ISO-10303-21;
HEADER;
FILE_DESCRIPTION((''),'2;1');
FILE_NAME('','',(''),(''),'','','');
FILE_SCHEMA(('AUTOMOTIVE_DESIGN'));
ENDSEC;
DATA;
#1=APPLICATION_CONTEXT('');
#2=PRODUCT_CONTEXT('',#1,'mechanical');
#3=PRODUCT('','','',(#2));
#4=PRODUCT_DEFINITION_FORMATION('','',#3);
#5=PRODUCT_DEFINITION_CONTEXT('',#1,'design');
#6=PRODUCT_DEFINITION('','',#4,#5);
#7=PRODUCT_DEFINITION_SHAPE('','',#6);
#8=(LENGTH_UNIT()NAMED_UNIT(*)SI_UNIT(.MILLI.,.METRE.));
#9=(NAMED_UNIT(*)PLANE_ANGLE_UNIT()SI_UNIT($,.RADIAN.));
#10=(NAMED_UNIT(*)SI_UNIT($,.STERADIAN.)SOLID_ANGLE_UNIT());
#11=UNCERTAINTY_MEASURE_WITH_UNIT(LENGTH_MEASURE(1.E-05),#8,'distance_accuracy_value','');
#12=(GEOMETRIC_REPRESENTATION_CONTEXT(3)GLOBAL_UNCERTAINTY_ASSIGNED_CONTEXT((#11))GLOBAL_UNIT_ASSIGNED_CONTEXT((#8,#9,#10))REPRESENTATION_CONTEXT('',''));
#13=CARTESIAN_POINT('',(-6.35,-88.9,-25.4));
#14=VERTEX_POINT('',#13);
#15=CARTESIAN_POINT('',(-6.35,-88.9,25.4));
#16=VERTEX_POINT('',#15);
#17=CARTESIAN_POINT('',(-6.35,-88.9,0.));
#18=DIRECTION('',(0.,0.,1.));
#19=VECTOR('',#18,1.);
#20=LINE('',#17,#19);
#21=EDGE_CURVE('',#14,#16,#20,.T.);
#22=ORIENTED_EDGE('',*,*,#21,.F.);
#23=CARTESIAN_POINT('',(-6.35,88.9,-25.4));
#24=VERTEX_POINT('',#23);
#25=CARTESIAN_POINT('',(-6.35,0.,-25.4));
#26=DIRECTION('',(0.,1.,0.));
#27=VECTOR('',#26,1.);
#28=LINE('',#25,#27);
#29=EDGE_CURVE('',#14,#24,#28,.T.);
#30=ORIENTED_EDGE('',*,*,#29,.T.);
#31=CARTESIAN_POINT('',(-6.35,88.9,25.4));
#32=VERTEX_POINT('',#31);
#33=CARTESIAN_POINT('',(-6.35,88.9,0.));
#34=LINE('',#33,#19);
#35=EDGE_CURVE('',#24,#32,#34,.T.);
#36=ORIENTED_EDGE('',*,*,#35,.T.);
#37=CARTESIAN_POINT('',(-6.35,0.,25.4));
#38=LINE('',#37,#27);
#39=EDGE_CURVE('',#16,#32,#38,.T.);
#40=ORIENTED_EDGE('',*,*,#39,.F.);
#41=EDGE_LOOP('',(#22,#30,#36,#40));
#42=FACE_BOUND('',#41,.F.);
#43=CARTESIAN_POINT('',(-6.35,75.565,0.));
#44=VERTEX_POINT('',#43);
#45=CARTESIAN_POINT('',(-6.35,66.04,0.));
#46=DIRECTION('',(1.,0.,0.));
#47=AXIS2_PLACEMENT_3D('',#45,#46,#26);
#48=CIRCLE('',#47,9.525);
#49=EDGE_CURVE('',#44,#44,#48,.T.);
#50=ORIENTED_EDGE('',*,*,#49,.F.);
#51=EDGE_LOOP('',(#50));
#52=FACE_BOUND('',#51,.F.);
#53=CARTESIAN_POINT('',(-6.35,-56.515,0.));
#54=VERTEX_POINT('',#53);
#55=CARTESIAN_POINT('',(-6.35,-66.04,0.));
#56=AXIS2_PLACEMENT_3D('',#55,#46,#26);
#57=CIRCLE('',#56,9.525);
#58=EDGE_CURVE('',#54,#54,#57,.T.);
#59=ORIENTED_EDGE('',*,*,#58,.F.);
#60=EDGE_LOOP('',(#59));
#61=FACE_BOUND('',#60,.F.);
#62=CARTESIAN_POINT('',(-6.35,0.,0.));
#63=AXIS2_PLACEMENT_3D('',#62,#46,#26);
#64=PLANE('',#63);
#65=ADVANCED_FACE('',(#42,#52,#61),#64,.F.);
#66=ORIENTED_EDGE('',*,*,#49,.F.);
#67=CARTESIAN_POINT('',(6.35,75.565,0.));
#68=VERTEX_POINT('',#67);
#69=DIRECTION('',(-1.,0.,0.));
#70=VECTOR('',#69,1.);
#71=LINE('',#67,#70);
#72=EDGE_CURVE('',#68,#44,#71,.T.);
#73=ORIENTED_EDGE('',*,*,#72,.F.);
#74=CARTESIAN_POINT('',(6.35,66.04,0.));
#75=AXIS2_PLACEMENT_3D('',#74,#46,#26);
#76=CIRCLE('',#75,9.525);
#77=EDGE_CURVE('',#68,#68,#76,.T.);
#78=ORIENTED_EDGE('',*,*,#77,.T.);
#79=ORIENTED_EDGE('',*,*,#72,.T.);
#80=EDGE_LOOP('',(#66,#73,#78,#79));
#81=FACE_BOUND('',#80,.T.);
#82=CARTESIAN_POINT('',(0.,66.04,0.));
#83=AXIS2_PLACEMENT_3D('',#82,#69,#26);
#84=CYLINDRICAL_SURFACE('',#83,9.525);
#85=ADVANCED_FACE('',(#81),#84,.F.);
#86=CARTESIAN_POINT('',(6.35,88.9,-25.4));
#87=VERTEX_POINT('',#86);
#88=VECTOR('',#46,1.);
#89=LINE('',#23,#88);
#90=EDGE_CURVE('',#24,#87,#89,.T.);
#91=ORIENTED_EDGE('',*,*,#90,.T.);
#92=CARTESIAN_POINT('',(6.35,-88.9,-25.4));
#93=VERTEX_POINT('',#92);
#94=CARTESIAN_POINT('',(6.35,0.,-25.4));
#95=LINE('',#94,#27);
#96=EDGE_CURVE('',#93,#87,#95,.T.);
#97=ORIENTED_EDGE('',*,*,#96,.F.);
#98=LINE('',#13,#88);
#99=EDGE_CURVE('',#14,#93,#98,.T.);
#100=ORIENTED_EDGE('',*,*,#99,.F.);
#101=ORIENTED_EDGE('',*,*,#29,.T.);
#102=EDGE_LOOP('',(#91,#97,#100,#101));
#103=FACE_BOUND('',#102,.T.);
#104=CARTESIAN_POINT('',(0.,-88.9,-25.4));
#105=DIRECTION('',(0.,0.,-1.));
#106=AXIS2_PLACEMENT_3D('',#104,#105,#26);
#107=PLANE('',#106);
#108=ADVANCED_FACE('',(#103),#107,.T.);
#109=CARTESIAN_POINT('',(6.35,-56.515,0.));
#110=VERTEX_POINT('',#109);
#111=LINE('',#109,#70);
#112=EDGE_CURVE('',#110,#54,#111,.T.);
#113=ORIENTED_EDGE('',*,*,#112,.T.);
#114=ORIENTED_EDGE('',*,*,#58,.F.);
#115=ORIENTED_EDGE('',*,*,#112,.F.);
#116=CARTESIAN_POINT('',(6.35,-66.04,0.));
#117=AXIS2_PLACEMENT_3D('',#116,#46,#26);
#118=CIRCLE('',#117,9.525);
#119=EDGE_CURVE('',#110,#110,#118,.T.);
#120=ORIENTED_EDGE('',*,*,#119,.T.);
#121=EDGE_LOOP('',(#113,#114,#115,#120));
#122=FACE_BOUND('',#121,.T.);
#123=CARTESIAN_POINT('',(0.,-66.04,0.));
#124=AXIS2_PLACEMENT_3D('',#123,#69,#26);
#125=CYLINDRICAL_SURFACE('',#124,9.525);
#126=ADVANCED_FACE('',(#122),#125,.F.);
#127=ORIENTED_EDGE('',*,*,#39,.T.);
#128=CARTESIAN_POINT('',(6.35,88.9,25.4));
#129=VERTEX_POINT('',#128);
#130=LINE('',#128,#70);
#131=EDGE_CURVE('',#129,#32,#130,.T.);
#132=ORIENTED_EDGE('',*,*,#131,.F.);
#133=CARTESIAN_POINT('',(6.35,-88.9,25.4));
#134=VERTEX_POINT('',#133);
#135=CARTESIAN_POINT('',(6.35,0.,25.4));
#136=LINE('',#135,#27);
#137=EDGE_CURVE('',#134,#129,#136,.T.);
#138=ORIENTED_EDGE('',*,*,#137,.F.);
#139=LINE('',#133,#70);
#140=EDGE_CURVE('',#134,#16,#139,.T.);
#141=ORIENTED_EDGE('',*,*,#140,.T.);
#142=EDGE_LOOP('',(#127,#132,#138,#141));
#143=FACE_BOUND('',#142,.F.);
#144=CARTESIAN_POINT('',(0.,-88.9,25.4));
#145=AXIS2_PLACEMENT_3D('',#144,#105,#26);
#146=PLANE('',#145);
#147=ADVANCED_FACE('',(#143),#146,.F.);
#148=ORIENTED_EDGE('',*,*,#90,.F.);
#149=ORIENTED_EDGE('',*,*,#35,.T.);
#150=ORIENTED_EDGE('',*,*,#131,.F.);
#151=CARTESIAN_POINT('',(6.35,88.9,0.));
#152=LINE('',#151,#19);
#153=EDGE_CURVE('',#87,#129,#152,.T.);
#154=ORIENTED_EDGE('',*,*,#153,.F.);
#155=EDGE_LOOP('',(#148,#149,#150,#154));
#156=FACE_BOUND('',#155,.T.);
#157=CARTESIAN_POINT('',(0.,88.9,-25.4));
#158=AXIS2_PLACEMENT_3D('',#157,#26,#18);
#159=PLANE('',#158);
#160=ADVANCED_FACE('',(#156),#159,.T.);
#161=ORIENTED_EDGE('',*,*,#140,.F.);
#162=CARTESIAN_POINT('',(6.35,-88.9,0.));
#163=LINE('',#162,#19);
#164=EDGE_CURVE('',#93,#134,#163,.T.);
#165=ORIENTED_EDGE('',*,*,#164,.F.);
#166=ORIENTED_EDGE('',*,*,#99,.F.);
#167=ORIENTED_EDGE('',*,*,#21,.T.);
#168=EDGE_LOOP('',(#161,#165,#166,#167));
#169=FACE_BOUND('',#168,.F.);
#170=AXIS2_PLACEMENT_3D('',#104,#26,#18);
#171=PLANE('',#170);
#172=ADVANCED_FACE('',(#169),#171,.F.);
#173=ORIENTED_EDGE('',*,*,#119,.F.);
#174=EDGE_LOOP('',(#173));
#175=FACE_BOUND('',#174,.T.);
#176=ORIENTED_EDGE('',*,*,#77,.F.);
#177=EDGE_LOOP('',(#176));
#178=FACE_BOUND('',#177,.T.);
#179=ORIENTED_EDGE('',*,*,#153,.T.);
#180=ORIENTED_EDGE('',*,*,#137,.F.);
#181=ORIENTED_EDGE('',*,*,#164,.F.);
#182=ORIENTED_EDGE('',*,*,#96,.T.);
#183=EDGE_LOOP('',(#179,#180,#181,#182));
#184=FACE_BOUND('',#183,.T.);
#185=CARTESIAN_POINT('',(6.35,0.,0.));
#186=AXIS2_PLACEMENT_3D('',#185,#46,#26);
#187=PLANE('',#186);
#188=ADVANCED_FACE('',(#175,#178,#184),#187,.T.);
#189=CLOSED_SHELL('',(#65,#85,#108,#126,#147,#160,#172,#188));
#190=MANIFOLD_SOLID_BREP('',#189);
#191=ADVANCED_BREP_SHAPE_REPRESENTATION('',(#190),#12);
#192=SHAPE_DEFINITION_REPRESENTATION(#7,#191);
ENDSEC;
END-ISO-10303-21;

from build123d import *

# Parameters (mm, degrees)
F0_W     = 177.8
F0_H     = 50.8
F0_R     = 9.525
F1_DEPTH = 6.35


with BuildPart() as f1:
    # F0 (on Right) → F1 (new body, symmetric)
    with BuildSketch(Plane.YZ):
        Rectangle(F0_W, F0_H)
        with Locations((-66.04, 0)):
            Circle(F0_R, mode=Mode.SUBTRACT)
        with Locations((66.04, 0)):
            Circle(F0_R, mode=Mode.SUBTRACT)
    extrude(amount=F1_DEPTH, both=True)


solid = f1.part
